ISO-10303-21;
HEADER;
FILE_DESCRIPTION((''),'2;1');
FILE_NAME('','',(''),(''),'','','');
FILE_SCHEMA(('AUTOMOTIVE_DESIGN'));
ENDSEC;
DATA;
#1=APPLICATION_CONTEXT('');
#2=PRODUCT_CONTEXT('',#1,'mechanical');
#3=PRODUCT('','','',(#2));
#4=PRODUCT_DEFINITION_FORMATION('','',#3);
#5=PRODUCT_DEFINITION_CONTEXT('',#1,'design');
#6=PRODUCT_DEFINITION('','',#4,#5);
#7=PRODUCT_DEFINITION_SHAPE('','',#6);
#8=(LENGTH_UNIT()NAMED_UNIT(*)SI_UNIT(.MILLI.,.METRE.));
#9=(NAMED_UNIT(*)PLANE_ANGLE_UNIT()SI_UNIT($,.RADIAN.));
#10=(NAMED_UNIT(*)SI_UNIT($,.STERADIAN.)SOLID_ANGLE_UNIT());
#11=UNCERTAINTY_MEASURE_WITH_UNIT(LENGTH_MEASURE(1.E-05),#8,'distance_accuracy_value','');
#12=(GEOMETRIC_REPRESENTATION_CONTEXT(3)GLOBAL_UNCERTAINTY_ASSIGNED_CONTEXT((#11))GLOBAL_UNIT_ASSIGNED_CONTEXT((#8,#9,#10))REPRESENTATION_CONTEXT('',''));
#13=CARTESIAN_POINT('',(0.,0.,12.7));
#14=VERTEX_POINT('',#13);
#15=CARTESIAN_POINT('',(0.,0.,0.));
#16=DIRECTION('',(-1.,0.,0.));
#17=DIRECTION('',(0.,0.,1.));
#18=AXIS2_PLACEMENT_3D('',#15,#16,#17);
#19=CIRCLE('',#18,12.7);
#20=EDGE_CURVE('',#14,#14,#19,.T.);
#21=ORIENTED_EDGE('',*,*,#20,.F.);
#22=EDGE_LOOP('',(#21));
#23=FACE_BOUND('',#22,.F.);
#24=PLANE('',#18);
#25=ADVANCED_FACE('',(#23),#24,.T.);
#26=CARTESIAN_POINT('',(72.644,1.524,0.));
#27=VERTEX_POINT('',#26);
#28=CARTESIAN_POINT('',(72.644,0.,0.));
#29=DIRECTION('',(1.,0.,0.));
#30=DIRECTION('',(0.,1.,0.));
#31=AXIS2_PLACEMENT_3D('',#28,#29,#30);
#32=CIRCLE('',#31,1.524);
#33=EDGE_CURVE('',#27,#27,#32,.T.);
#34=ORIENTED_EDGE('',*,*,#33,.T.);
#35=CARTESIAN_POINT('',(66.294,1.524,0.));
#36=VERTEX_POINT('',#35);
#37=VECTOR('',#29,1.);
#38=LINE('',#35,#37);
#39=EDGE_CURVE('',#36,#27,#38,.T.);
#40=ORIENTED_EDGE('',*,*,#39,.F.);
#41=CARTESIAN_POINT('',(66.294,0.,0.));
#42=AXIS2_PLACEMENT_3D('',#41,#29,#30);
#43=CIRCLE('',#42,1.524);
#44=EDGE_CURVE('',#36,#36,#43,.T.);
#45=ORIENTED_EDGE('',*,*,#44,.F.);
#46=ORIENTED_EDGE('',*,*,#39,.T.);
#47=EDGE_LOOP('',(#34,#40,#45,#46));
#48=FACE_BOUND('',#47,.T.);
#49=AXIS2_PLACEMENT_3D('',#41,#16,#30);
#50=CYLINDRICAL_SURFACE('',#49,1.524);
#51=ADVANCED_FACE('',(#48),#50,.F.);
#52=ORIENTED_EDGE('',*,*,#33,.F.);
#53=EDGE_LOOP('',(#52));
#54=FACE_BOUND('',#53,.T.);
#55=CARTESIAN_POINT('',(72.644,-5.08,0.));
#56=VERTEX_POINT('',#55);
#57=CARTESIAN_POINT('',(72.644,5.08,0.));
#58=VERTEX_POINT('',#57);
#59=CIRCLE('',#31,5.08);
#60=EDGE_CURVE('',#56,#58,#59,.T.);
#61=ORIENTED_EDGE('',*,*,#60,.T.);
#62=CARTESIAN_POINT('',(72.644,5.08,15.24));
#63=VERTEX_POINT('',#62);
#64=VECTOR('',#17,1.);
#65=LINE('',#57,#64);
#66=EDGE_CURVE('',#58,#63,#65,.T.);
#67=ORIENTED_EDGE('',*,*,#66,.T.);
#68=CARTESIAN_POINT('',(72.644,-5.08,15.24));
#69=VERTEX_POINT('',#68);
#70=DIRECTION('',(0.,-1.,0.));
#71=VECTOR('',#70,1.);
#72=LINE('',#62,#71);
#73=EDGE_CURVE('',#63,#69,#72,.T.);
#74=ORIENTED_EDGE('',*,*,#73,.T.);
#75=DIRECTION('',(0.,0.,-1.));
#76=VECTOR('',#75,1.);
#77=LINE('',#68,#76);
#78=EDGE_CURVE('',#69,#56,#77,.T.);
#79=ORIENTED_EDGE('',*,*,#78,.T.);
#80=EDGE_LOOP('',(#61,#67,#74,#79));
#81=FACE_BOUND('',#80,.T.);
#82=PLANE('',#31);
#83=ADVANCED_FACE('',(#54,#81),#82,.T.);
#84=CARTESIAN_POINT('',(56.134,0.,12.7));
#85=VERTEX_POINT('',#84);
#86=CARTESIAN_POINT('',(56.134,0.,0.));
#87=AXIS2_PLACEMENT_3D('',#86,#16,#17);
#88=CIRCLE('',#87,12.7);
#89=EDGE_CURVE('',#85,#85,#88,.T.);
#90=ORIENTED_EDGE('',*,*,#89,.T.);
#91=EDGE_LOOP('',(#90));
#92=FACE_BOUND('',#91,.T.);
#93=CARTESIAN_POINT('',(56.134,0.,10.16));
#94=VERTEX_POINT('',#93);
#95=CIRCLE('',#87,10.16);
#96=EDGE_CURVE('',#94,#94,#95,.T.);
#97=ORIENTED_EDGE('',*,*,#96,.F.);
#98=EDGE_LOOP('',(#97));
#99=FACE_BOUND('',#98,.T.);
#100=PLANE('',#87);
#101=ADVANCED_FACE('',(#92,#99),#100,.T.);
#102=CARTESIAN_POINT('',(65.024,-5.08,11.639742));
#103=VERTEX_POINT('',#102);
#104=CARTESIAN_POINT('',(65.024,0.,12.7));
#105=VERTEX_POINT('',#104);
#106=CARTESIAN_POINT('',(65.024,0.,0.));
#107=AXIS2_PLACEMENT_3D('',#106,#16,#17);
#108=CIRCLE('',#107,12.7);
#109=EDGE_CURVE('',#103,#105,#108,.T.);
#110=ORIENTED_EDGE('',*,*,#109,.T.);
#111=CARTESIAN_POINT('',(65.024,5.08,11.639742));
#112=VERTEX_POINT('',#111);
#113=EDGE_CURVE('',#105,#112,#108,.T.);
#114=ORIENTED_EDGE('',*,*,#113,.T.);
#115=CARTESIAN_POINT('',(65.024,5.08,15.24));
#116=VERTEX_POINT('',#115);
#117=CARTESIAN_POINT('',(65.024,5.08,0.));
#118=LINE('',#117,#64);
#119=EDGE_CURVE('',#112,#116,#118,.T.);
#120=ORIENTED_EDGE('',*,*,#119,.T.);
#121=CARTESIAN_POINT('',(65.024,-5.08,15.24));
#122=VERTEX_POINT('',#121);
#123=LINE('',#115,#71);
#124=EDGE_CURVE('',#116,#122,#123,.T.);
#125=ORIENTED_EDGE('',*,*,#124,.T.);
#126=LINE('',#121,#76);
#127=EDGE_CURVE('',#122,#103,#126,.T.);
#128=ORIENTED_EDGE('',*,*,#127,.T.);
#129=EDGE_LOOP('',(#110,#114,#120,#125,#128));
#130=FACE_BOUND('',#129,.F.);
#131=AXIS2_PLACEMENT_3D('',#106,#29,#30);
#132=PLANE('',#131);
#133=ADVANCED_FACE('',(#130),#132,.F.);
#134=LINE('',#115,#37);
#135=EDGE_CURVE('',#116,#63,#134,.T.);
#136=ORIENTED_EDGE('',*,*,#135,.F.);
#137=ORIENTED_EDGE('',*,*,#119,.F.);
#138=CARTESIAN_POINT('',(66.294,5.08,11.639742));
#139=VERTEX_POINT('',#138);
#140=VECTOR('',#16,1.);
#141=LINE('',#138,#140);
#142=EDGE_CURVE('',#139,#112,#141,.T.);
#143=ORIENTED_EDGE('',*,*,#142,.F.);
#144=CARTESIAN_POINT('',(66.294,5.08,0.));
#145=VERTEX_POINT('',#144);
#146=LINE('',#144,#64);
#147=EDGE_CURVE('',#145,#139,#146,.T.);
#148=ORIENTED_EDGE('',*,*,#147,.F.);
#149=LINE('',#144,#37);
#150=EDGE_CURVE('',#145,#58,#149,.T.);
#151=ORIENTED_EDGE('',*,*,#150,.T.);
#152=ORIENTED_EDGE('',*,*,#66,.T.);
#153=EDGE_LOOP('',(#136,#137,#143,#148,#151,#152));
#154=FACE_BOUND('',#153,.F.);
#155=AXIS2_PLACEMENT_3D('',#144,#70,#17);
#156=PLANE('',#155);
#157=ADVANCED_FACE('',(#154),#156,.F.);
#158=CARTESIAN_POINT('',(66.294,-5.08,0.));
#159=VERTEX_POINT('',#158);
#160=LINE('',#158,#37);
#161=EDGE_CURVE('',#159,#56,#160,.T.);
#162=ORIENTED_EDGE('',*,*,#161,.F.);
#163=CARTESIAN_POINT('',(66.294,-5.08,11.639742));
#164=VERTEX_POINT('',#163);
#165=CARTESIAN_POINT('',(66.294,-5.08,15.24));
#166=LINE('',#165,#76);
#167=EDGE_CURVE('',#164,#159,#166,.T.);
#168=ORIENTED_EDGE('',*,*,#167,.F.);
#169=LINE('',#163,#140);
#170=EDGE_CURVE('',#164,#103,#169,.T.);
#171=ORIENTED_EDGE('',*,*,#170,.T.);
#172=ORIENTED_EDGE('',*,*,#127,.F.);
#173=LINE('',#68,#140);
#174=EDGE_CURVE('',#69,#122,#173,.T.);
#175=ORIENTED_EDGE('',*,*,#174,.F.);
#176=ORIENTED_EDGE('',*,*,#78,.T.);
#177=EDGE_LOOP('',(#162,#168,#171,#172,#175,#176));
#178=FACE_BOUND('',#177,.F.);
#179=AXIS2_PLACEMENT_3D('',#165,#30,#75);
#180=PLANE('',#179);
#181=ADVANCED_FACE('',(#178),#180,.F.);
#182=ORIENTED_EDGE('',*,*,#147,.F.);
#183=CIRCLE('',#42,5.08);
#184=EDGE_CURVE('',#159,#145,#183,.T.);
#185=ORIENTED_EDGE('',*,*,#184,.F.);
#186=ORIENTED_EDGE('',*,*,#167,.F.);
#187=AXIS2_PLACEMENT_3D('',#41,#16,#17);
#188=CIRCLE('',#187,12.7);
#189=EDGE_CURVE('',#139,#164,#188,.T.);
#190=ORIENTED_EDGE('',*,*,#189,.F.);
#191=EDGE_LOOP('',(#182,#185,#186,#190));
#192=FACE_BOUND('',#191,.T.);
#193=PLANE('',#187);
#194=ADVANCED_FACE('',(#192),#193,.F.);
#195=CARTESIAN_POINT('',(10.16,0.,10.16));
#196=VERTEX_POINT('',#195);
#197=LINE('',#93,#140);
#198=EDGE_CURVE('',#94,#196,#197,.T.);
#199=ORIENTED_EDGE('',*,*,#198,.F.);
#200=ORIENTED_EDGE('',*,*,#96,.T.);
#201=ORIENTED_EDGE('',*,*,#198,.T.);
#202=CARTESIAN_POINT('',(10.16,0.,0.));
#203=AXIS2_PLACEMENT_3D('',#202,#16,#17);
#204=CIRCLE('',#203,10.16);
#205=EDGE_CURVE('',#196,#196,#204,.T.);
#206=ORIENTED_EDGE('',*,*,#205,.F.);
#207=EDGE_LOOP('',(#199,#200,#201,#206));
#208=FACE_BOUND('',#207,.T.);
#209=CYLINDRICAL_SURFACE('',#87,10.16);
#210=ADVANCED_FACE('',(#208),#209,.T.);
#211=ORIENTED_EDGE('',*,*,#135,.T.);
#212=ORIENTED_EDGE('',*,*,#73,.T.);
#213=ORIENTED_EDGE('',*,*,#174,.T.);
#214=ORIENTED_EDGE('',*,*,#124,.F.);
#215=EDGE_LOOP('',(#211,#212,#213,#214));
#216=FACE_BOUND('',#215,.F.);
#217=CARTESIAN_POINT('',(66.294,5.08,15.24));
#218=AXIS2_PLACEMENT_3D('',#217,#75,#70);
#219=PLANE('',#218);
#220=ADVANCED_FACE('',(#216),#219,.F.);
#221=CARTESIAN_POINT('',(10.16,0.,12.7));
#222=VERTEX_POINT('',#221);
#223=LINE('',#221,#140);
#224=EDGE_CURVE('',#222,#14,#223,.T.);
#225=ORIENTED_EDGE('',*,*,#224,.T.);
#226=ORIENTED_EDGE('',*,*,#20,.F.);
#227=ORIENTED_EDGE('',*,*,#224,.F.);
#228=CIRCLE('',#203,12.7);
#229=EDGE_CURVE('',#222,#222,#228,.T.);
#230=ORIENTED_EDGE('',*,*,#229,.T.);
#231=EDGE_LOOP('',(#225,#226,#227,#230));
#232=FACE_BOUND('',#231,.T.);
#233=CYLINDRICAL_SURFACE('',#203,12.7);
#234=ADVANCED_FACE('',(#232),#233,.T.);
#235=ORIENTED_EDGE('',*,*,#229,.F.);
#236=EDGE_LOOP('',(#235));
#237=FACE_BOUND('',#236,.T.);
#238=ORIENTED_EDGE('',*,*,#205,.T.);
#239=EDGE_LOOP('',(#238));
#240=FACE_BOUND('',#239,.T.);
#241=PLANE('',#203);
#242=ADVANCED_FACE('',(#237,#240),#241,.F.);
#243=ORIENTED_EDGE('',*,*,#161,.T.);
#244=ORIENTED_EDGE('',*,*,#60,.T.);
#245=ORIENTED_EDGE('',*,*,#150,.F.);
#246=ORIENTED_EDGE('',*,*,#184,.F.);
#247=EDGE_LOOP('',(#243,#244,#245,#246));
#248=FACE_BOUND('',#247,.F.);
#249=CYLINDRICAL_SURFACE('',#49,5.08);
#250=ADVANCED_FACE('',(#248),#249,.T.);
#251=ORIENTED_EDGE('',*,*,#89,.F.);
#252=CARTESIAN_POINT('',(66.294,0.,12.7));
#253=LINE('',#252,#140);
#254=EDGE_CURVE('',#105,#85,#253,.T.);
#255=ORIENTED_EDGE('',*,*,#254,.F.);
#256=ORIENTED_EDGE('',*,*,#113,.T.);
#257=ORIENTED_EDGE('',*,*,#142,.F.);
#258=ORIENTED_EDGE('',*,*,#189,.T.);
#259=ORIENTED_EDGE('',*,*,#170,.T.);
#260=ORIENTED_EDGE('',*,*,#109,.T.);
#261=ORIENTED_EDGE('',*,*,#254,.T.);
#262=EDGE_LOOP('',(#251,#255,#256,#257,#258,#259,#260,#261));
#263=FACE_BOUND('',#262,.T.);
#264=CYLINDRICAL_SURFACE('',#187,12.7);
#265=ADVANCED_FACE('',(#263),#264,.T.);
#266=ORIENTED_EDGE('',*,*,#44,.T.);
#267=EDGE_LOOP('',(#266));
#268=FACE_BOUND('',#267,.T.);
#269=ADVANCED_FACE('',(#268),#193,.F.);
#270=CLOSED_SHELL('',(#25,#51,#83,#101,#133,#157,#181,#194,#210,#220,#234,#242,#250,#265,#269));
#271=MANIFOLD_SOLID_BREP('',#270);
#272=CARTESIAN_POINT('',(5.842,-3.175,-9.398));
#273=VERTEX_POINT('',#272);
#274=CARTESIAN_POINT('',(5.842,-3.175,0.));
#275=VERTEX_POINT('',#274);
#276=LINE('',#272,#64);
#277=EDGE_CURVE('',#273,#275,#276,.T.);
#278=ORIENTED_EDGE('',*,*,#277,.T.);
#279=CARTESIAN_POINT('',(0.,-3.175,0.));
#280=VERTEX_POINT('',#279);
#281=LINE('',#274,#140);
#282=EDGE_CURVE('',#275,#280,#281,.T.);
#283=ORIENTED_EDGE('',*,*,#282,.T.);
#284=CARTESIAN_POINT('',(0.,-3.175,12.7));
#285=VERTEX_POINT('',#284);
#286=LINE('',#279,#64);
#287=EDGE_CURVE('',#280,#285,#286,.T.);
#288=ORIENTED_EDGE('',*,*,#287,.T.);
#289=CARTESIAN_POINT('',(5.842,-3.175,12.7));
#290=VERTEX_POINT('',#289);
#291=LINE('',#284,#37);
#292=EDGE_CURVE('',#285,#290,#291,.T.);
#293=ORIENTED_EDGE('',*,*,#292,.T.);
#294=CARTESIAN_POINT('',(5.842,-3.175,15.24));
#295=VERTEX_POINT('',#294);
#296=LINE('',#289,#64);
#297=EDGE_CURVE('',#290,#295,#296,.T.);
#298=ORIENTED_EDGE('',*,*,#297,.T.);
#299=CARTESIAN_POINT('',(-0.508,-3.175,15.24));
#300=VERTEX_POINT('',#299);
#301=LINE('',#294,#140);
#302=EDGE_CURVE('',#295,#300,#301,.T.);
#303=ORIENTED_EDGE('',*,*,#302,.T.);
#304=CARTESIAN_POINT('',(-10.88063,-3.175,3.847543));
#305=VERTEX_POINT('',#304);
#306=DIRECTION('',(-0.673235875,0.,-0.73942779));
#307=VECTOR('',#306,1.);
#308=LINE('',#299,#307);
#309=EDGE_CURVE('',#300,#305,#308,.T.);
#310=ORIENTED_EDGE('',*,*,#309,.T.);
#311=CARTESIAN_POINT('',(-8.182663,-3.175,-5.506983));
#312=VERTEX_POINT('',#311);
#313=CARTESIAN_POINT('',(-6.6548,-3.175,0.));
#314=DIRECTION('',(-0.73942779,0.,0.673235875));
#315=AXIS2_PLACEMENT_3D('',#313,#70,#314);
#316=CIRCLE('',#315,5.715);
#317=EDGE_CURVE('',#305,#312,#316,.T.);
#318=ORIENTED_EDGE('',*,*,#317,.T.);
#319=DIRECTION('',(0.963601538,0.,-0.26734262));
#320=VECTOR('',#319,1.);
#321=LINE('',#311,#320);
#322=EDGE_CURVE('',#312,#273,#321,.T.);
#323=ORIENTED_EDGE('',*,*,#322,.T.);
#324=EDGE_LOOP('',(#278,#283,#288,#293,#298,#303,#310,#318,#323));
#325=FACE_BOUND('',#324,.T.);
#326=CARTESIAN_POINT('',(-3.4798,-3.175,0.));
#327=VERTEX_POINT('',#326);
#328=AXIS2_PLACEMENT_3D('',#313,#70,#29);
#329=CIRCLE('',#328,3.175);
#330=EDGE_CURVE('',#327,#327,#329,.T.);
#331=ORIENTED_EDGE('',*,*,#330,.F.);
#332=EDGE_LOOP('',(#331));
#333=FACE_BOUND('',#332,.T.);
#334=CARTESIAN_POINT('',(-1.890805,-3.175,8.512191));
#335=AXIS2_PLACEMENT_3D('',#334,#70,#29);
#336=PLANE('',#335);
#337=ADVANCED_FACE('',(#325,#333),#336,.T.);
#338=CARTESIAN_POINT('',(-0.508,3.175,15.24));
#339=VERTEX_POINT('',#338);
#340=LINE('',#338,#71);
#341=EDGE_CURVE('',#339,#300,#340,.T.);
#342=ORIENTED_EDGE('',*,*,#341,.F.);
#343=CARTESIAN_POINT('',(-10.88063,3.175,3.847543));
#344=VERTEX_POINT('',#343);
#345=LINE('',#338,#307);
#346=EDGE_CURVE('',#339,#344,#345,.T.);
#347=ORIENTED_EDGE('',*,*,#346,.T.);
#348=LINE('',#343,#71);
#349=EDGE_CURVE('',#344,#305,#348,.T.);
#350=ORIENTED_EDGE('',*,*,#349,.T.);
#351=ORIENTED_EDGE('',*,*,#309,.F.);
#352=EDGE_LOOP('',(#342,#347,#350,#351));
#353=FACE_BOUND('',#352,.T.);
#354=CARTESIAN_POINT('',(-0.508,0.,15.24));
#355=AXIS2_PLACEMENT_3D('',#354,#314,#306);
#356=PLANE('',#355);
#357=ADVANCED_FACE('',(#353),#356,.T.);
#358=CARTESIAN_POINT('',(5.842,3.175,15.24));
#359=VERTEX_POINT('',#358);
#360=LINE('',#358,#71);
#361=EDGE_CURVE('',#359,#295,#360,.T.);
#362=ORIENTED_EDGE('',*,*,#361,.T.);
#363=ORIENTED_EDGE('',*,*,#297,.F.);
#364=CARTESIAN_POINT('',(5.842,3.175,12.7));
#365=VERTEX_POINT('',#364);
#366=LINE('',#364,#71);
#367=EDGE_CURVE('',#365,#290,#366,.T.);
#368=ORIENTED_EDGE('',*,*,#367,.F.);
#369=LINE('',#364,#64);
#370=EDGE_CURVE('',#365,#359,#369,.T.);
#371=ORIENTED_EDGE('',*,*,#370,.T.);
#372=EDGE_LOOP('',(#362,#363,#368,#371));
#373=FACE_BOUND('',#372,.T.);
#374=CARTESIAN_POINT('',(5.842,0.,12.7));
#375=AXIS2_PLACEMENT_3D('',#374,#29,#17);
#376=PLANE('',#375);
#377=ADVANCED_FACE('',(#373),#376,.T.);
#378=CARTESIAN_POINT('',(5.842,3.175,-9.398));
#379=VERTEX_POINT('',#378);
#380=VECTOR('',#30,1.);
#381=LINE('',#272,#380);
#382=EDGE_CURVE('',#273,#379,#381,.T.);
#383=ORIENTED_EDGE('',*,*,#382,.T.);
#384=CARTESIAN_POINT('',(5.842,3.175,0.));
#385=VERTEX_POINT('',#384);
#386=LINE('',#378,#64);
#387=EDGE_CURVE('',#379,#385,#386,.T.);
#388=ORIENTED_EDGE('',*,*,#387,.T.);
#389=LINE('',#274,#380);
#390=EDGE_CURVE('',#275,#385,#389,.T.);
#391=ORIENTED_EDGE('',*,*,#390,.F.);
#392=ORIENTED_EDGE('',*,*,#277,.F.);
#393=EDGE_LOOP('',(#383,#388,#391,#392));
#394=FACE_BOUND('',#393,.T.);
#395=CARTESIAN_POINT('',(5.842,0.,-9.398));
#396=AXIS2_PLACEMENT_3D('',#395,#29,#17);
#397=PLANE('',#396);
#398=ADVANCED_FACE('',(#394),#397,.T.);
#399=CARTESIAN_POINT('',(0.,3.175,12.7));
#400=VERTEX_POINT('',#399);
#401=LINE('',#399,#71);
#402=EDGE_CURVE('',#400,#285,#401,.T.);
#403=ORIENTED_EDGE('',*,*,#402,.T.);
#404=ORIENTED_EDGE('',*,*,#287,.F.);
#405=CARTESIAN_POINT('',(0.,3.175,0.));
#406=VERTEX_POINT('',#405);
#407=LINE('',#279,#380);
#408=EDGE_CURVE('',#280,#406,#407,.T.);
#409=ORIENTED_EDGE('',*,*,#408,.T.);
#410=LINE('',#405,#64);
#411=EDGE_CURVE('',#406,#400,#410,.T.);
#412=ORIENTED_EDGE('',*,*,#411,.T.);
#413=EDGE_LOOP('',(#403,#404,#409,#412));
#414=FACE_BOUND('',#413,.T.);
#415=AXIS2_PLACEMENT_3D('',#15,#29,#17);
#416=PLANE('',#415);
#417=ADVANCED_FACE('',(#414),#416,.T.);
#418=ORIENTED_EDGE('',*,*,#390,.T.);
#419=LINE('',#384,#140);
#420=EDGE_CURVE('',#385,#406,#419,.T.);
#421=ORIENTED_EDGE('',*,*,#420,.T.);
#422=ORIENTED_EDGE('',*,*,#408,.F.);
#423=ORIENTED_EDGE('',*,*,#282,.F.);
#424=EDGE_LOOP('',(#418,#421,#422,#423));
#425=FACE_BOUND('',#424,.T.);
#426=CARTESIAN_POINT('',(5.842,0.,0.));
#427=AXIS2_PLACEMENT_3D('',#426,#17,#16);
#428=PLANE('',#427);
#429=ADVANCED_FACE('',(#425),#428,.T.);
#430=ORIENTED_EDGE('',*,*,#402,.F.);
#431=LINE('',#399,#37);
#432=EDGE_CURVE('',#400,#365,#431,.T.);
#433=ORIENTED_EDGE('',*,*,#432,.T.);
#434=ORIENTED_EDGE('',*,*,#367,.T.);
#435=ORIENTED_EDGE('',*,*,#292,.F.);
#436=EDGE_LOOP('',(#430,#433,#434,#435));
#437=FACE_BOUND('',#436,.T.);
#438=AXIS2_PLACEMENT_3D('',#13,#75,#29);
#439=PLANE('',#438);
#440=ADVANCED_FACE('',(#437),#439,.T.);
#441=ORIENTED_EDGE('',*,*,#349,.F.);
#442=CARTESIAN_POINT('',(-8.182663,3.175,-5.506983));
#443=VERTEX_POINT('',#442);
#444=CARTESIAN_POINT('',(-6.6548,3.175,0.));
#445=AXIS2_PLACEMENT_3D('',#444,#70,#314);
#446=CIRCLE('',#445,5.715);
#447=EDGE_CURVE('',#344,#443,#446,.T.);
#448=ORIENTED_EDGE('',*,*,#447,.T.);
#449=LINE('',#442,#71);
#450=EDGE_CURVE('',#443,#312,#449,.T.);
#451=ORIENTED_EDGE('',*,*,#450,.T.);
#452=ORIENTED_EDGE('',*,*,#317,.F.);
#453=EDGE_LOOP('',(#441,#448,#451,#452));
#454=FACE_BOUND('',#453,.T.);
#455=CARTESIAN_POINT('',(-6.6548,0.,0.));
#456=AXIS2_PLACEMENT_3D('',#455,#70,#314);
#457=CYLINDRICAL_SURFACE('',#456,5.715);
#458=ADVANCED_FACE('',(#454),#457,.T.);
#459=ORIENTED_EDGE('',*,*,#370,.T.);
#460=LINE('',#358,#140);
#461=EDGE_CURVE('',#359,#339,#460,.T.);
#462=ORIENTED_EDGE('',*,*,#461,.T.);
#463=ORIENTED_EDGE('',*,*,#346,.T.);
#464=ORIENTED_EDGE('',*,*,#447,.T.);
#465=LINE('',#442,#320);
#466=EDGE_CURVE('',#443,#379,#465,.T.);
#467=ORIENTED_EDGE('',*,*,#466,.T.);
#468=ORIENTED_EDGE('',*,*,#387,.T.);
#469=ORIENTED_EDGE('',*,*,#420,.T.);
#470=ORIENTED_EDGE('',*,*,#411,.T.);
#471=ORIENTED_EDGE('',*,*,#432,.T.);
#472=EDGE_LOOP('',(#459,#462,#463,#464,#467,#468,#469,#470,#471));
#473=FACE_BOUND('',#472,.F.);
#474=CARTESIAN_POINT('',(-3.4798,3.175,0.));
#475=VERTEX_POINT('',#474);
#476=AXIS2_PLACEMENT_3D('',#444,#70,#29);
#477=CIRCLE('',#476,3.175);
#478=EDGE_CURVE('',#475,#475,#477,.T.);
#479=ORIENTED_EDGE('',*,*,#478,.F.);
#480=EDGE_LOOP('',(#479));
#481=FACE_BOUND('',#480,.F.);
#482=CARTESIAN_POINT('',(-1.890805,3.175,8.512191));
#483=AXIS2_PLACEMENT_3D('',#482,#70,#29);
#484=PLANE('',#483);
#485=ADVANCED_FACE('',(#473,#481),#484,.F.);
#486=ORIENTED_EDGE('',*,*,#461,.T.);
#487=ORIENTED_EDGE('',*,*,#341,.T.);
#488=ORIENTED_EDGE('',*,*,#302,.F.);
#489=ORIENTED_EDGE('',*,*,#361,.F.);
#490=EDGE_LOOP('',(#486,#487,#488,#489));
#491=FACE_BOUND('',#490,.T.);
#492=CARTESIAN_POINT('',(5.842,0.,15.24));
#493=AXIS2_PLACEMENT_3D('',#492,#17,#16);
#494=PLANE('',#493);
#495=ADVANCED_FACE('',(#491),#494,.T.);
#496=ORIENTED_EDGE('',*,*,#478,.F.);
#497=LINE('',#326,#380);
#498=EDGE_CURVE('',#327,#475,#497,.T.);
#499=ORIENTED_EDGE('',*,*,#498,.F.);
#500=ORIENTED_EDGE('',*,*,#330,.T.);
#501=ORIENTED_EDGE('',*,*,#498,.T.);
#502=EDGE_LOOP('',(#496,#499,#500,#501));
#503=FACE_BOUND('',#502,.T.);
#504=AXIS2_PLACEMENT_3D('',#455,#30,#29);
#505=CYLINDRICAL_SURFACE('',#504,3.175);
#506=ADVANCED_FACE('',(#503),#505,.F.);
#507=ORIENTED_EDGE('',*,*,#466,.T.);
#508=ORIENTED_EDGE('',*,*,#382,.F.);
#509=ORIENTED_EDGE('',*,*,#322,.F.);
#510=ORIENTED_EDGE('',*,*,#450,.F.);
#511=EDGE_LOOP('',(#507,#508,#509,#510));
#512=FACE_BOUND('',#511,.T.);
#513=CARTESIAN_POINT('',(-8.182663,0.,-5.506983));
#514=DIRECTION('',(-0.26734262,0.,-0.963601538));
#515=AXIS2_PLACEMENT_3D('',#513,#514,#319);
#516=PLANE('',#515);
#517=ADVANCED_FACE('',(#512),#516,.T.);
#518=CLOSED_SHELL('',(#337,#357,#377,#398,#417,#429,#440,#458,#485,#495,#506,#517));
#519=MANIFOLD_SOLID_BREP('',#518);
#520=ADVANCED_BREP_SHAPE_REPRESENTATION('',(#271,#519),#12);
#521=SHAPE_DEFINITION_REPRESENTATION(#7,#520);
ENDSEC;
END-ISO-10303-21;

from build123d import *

# Parameters (mm, degrees)
F0_W          = 5.842
F0_H          = 12.7
F0_R          = 3.175
F2_DEPTH      = 3.175
F3_R          = 1.524
F4_DEPTH      = 1.27
F4_DEPTH_BACK = 6.35


with BuildPart() as f1:
    # F0 (on Front) → F1 (revolve)
    with BuildSketch(Plane.XZ):
        with Locations((2.921, 6.35)):
            Rectangle(F0_W, F0_H)
        Polygon((5.842, 12.7), (5.842, 0), (66.294, 0), (66.294, 12.7), (56.134, 12.7), (56.134, 10.16), (10.16, 10.16), (10.16, 12.7), align=None)
    revolve(axis=Axis((33.147, 0, 0), (-1, 0, 0)))

    # F3 (on face) → F4 (join, two sides)
    with BuildSketch(Plane.YZ.offset(66.294)) as f4_sk:
        with BuildLine():
            ThreePointArc((-5.08, 0), (0, -5.08), (5.08, 0))
            ThreePointArc((5.08, 0), (0, 5.08), (-5.08, 0))
        make_face()
        Circle(F3_R, mode=Mode.SUBTRACT)
        with BuildLine():
            ThreePointArc((-5.08, 0), (0, 5.08), (5.08, 0))
            Line((5.08, 0), (5.08, 11.6397422652))
            ThreePointArc((5.08, 11.6397422652), (0, 12.7), (-5.08, 11.6397422652))
            Line((-5.08, 11.6397422652), (-5.08, 0))
        make_face()
        with BuildLine():
            ThreePointArc((-5.08, 11.6397422652), (0, 12.7), (5.08, 11.6397422652))
            Line((5.08, 11.6397422652), (5.08, 15.24))
            Line((5.08, 15.24), (-5.08, 15.24))
            Line((-5.08, 15.24), (-5.08, 11.6397422652))
        make_face()
    extrude(amount=-F4_DEPTH)
    extrude(f4_sk.sketch, amount=F4_DEPTH_BACK)


with BuildPart() as f2:
    # F0 (on Front) → F2 (new body, symmetric)
    with BuildSketch(Plane.XZ):
        with BuildLine():
            Line((-0.9398, 0), (0, 0))
            Line((0, 0), (0, 12.7))
            Line((0, 12.7), (5.842, 12.7))
            Line((5.842, 12.7), (5.842, 15.24))
            Line((5.842, 15.24), (-0.508, 15.24))
            Line((-0.508, 15.24), (-10.8806298187, 3.8475430269))
            ThreePointArc((-10.8806298187, 3.8475430269), (-4.5919612295, 5.3297205562), (-0.9398, 0))
        make_face()
        with BuildLine():
            ThreePointArc((-8.1826630726, -5.5069827884), (-3.1957909266, -4.5493385486), (-0.9398, 0))
            ThreePointArc((-0.9398, 0), (-4.5919612295, 5.3297205562), (-10.8806298187, 3.8475430269))
            ThreePointArc((-10.8806298187, 3.8475430269), (-12.1459778134, -1.5837270034), (-8.1826630726, -5.5069827884))
        make_face()
        with Locations((-6.6548, 0)):
            Circle(F0_R, mode=Mode.SUBTRACT)
        with BuildLine():
            Line((5.842, 0), (0, 0))
            Line((0, 0), (-0.9398, 0))
            ThreePointArc((-0.9398, 0), (-3.1957909266, -4.5493385486), (-8.1826630726, -5.5069827884))
            Line((-8.1826630726, -5.5069827884), (5.842, -9.398))
            Line((5.842, -9.398), (5.842, 0))
        make_face()
    extrude(amount=F2_DEPTH, both=True)


solid = Compound([f1.part, f2.part])
